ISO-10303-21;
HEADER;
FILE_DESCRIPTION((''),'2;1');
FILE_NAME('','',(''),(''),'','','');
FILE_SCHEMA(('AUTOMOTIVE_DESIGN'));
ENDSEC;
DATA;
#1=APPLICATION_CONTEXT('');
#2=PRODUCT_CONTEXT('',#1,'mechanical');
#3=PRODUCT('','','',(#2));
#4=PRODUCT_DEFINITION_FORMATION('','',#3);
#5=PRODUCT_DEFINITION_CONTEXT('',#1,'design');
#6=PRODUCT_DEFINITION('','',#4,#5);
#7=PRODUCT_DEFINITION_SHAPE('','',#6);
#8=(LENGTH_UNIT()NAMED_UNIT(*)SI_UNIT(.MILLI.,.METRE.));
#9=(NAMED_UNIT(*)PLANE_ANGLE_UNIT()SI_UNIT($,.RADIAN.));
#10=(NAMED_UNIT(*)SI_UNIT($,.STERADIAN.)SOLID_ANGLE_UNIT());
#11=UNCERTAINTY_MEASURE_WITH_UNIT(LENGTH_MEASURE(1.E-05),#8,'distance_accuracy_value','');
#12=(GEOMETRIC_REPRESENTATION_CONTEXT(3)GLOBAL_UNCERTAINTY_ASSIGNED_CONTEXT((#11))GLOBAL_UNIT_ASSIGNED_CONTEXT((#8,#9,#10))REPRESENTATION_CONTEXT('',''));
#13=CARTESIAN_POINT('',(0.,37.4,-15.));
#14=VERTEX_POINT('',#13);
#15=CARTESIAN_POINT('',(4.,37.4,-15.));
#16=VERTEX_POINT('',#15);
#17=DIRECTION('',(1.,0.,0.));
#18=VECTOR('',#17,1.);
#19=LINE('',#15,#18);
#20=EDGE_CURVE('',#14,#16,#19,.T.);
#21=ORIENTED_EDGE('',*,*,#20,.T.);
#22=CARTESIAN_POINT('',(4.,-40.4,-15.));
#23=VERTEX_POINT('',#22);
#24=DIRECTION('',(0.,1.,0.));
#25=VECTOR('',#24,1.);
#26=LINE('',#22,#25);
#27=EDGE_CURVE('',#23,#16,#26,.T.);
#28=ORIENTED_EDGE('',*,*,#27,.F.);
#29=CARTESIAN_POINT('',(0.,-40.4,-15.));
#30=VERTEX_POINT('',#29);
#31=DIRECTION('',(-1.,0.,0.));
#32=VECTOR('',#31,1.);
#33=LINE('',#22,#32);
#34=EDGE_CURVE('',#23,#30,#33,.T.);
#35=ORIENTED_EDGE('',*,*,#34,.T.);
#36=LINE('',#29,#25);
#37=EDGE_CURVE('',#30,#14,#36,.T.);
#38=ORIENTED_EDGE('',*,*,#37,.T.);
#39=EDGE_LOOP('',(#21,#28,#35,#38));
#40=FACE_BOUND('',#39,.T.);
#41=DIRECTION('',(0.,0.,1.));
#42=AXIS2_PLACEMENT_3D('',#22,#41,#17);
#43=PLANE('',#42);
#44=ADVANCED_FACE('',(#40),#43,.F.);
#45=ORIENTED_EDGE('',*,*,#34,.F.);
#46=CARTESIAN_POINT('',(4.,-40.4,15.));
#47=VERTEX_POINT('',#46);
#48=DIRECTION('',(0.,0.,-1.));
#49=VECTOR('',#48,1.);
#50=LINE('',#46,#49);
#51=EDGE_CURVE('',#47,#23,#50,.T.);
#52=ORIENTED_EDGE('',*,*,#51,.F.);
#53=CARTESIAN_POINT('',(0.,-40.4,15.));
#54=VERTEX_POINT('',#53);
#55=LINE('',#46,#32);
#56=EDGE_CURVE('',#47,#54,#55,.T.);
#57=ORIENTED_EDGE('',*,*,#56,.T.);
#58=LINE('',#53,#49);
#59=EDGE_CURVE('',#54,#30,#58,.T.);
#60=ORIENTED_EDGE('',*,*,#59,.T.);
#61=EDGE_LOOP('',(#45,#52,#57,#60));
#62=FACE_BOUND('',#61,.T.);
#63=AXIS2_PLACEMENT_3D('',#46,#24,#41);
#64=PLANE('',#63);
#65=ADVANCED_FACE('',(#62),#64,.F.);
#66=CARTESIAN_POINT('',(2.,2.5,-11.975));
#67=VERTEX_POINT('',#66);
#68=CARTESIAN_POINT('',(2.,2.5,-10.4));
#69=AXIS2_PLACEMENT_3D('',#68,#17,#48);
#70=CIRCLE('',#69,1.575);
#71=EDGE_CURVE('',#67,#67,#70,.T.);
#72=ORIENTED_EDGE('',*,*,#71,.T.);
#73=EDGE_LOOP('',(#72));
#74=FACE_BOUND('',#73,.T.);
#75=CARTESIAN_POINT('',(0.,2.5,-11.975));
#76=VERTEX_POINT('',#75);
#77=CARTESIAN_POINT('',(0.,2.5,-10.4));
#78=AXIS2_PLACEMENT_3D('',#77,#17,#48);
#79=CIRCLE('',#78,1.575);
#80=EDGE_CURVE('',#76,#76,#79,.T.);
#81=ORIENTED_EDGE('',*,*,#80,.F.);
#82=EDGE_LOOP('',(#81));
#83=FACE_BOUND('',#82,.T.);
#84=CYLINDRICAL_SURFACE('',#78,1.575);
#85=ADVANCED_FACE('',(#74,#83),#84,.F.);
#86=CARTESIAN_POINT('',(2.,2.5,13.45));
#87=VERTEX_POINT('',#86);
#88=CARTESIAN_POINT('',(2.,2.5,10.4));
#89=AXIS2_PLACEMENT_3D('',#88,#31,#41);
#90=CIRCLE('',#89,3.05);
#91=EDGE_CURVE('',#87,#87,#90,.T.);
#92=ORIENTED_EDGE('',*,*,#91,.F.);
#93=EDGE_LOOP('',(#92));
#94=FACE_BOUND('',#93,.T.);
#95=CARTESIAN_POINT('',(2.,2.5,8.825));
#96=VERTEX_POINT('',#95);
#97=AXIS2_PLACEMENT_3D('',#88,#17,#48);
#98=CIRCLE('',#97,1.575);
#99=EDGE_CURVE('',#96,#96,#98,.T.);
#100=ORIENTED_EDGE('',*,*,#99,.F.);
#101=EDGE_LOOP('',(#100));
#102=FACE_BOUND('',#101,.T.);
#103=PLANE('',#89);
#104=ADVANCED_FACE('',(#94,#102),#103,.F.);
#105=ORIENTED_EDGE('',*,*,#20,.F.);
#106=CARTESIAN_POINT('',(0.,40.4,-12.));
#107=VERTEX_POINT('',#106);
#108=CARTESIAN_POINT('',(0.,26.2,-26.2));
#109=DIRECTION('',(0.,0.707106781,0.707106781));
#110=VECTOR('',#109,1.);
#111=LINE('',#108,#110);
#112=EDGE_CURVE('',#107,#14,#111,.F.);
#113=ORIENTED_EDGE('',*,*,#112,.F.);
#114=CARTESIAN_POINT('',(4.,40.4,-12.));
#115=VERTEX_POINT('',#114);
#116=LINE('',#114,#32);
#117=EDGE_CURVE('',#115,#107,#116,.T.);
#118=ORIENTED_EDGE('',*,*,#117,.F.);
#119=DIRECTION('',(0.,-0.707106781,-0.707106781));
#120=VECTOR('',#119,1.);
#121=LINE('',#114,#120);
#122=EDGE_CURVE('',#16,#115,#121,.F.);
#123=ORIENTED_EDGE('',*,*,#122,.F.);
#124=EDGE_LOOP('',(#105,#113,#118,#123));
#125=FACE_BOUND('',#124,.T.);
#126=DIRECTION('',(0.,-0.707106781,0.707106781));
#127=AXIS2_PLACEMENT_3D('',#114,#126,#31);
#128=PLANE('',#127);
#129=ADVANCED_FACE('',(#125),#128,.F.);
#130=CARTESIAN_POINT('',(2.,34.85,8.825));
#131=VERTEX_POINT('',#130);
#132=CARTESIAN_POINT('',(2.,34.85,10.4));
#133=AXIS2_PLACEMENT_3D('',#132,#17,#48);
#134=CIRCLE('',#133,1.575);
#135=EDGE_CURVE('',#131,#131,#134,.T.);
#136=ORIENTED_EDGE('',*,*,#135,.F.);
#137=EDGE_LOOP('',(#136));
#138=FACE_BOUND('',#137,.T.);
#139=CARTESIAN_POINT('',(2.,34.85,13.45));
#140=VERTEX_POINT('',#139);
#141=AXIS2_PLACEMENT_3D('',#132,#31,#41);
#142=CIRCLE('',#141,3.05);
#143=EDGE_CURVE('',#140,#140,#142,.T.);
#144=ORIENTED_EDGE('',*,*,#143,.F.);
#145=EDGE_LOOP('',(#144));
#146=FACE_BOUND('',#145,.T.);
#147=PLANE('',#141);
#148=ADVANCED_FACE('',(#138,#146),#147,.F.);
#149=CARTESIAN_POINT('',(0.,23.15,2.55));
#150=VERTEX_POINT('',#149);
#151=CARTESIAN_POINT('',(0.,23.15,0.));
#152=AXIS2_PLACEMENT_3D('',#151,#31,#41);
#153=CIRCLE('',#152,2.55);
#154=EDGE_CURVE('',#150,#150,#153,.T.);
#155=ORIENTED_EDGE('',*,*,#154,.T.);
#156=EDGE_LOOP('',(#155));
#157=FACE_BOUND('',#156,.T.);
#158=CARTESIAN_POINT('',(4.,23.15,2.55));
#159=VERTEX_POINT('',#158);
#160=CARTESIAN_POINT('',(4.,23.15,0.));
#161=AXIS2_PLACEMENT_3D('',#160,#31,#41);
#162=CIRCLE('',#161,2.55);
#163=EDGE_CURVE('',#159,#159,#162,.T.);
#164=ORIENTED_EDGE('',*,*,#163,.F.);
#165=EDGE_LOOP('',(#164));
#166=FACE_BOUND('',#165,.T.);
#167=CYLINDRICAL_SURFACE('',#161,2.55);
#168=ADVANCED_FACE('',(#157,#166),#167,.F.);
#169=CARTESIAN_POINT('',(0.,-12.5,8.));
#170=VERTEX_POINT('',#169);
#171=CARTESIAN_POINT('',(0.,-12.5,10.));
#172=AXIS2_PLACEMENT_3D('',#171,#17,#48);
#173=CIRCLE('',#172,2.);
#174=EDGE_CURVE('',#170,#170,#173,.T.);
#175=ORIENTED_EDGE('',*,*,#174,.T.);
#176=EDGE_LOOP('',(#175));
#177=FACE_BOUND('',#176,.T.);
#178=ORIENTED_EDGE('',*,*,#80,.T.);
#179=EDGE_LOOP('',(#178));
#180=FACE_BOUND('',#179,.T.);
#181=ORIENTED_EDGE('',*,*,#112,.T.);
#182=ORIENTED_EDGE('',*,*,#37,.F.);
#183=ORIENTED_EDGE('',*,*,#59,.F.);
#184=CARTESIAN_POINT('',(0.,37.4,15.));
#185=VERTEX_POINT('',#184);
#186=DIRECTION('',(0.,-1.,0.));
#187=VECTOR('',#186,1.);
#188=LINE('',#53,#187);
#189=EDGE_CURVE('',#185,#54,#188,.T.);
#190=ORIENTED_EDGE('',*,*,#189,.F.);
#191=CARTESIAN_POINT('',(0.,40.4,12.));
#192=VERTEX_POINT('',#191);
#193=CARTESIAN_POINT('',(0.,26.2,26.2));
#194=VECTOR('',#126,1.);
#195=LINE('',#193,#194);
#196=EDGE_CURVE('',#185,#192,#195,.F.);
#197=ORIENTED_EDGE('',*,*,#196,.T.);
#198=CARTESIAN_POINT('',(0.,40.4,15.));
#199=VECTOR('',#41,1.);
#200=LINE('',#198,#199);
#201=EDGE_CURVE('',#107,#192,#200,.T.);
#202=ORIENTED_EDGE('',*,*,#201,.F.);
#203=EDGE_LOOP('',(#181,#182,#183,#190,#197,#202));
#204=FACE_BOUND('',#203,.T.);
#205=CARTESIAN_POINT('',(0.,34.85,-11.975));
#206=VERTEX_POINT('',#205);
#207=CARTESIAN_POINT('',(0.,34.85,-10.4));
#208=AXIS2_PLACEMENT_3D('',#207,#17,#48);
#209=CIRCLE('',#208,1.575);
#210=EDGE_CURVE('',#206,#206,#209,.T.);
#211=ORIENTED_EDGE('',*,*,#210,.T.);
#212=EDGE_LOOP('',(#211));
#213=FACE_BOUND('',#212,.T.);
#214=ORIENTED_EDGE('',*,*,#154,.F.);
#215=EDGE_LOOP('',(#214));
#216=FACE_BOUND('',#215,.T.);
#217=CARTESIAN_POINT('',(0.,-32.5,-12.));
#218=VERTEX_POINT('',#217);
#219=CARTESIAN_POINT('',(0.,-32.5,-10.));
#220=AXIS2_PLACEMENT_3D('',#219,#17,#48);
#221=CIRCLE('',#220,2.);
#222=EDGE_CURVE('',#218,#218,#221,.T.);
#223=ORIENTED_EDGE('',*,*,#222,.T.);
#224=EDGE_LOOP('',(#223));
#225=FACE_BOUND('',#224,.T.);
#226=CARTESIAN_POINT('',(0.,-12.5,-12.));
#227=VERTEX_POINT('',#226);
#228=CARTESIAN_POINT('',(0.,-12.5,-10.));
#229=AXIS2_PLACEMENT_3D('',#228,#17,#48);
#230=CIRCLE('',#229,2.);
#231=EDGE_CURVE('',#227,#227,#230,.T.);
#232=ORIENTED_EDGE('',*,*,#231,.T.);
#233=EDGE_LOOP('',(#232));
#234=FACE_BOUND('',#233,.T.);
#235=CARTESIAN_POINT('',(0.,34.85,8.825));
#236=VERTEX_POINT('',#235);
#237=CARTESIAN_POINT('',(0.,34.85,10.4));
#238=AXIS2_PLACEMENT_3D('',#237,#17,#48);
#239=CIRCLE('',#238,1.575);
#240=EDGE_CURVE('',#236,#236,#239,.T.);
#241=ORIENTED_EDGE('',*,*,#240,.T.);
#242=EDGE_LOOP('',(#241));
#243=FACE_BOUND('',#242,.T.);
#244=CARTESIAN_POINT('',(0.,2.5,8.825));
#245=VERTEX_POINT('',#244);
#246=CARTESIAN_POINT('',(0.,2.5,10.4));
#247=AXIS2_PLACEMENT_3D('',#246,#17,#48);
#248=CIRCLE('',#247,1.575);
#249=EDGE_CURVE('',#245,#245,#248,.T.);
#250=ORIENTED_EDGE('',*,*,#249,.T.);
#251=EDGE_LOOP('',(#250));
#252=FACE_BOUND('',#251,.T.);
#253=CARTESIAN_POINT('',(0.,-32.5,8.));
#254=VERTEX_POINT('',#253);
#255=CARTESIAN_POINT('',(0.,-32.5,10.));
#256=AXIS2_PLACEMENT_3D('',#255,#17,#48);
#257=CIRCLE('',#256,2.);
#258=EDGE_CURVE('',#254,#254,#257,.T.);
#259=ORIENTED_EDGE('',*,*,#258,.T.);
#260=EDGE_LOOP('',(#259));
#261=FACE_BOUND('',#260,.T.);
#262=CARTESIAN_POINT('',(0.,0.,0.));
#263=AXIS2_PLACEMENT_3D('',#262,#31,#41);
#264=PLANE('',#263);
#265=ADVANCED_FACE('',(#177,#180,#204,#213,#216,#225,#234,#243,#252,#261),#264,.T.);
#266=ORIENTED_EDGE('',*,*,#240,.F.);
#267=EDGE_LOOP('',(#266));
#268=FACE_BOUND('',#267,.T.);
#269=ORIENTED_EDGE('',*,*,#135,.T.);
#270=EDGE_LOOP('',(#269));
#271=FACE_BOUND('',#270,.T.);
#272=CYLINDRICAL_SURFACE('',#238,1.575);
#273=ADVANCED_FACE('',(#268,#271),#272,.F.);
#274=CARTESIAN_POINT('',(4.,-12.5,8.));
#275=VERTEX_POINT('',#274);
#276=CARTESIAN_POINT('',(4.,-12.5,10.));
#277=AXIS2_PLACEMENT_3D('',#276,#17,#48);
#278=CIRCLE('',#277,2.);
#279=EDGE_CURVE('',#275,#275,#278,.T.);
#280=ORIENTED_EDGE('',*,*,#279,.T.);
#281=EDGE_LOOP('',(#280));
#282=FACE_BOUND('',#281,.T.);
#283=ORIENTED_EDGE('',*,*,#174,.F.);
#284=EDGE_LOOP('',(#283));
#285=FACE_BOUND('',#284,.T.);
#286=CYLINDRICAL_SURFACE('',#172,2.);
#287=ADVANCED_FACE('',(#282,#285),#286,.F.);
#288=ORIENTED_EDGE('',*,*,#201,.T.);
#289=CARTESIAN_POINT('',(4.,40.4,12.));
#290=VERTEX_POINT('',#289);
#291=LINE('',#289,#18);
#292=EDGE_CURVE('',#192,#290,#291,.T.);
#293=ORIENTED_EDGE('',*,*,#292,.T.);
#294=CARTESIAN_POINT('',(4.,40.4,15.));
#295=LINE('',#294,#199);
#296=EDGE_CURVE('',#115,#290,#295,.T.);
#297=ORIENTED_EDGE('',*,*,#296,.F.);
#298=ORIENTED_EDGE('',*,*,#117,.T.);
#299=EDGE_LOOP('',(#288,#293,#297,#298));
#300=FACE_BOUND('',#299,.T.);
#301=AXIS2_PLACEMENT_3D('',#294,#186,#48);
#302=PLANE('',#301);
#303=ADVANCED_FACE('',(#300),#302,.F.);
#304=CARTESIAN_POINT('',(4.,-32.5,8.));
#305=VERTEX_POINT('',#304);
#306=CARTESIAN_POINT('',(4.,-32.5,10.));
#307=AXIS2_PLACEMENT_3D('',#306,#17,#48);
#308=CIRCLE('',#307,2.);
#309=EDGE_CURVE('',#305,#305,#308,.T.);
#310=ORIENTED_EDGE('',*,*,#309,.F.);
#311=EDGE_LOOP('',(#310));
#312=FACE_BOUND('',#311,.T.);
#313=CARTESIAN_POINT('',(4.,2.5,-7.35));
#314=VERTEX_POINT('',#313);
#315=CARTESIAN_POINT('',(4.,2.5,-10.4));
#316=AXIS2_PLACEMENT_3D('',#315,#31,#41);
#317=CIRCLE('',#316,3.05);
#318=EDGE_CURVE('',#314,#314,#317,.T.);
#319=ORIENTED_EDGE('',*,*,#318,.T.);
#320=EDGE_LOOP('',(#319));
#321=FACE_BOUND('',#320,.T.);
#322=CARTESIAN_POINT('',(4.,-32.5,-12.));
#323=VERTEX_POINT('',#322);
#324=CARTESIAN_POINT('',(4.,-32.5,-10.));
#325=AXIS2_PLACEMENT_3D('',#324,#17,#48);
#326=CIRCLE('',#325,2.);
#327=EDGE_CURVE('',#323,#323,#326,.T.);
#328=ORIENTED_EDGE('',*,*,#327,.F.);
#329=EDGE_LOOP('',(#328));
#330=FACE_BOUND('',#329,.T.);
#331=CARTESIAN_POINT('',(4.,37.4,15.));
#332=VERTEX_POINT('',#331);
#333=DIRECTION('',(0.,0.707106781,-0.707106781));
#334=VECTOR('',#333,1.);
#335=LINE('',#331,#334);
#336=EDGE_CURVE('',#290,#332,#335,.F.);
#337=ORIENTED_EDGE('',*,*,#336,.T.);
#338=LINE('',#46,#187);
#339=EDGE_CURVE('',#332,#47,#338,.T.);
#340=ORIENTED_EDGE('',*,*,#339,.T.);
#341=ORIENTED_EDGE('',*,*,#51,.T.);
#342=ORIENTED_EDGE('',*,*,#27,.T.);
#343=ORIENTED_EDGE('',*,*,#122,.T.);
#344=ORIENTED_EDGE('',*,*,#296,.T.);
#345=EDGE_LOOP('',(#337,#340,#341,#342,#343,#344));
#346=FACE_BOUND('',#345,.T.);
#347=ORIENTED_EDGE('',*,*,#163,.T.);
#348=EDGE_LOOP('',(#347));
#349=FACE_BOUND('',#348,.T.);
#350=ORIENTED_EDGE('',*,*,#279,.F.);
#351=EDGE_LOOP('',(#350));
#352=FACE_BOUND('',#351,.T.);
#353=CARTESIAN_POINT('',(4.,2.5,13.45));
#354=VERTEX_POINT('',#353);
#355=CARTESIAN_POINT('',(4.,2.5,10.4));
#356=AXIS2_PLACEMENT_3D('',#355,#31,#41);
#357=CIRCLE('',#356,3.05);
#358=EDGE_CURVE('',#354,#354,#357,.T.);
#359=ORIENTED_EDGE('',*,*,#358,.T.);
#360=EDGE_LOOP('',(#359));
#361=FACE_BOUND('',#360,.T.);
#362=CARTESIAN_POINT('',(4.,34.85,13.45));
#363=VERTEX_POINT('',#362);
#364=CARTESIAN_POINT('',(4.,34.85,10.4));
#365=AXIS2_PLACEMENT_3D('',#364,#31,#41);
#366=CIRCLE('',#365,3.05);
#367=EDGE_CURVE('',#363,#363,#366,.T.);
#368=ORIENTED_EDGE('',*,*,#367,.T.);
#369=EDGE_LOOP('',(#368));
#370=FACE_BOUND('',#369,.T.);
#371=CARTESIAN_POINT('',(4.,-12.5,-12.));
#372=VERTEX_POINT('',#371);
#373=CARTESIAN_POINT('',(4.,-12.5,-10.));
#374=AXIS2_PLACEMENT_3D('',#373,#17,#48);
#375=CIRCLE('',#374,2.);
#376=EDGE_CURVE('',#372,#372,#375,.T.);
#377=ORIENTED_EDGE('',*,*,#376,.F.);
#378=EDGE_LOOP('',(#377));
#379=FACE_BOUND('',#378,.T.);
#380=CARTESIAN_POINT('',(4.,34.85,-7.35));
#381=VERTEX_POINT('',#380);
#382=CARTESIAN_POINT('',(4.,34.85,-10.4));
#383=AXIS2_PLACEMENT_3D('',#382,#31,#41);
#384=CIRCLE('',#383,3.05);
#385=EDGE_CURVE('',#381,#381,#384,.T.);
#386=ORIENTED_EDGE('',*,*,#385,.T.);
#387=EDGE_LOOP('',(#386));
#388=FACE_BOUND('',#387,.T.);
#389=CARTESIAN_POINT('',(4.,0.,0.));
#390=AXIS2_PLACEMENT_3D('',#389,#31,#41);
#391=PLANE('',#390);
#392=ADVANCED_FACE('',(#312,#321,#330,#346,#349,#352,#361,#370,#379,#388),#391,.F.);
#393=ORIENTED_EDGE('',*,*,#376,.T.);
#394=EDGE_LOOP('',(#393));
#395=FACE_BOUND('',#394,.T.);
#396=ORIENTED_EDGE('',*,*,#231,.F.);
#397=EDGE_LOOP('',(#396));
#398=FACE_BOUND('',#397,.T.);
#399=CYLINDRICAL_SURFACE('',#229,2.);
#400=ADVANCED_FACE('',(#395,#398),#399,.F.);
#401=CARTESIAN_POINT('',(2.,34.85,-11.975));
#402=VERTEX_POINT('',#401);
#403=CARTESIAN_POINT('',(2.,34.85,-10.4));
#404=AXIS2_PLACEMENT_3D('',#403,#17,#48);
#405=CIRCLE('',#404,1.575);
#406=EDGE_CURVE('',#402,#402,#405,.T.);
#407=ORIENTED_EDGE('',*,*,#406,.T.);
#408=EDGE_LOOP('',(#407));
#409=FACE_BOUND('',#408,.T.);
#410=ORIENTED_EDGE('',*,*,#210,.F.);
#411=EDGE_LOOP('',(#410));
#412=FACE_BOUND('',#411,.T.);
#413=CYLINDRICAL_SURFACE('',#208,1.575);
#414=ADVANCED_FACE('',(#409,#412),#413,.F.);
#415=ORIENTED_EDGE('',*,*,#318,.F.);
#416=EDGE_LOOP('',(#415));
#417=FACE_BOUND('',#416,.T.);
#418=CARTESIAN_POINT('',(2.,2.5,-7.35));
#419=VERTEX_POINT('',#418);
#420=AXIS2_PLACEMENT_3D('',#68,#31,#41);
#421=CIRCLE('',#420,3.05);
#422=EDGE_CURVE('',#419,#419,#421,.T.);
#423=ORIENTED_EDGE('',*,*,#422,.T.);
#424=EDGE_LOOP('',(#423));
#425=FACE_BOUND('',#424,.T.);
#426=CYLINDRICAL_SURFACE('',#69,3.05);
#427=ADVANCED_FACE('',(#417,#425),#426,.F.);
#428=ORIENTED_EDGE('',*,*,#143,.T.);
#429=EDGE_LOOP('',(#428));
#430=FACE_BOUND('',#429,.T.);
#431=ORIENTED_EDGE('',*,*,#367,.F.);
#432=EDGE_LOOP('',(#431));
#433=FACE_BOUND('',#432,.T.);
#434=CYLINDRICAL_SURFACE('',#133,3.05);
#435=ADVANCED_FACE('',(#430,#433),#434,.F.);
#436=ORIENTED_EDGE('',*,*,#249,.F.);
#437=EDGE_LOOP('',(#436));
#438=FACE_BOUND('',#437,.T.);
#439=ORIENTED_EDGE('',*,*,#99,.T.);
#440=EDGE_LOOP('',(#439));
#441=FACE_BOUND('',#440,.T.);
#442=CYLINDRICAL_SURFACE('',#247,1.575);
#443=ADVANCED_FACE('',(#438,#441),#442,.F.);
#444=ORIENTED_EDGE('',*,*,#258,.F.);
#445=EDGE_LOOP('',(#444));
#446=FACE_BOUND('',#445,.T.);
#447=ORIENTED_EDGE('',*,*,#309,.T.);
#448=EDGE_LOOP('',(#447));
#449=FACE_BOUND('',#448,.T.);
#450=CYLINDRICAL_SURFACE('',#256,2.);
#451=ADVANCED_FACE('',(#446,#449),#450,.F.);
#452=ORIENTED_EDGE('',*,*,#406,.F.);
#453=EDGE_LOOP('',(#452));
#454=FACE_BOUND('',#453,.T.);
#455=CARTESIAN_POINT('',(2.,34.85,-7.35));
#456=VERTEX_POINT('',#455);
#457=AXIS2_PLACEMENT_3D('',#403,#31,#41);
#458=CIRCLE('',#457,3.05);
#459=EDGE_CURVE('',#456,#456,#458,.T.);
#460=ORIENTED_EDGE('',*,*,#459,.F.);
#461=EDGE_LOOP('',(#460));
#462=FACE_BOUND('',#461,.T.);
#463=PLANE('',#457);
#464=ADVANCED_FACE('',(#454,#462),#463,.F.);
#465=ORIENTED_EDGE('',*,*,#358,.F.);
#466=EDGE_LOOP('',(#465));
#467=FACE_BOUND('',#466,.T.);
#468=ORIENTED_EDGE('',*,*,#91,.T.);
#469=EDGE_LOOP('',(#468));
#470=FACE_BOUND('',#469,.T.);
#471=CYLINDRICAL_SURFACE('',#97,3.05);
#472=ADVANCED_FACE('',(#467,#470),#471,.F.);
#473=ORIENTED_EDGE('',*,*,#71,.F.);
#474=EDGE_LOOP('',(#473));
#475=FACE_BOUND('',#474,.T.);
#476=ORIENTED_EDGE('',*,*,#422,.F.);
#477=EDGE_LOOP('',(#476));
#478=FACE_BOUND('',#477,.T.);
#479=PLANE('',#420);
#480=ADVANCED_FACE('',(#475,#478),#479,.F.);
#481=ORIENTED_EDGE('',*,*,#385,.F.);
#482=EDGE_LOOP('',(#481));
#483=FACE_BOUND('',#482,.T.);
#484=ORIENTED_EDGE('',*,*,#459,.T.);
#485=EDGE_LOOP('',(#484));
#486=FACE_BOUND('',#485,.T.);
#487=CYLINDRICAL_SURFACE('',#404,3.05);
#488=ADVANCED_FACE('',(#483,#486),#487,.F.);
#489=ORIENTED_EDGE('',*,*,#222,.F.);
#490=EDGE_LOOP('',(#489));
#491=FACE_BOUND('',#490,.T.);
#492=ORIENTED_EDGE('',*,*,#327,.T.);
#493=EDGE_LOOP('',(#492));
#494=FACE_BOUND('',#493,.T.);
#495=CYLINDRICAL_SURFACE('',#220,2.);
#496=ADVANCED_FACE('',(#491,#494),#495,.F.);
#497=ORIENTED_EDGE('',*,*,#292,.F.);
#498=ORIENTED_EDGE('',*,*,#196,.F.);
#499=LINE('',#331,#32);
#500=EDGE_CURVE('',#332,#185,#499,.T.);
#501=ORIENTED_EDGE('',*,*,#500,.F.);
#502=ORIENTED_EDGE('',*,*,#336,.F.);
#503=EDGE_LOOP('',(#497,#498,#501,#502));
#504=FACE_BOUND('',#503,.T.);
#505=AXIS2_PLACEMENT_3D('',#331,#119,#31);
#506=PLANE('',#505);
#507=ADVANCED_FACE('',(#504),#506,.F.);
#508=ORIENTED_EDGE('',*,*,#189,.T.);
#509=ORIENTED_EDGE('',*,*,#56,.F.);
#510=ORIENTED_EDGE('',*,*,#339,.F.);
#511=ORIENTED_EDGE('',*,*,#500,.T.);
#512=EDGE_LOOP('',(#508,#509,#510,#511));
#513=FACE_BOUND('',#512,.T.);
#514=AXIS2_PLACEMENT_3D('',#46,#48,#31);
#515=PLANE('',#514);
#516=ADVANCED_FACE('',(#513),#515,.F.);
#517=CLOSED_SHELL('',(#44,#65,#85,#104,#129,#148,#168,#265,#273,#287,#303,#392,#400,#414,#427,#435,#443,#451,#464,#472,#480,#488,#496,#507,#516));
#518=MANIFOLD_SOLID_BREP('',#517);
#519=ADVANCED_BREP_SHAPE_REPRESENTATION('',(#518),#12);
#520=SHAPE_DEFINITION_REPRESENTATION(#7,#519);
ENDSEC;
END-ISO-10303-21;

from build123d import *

# Parameters (mm, degrees)
CROQUIS1_W              = 30
CROQUIS1_H              = 80.8
SALIENTE_EXTRUIR1_DEPTH = 4
CROQUIS3_R              = 2
CORTAR_EXTRUIR2_DEPTH   = 5
CROQUIS8_R              = 2.55
CORTAR_EXTRUIR3_DEPTH   = 5
CROQUIS10_R             = 3.05
CORTAR_EXTRUIR4_DEPTH   = 2
CROQUIS11_R             = 1.575
CORTAR_EXTRUIR5_DEPTH   = 3
CHAFL_N1_SIZE           = 3


with BuildPart() as part:
    # Croquis1 → Saliente-Extruir1 (new body)
    with BuildSketch(Plane(origin=(0, 0, 0), x_dir=(0, 0, -1), z_dir=(1, 0, 0))):
        Rectangle(CROQUIS1_W, CROQUIS1_H)
    extrude(amount=SALIENTE_EXTRUIR1_DEPTH)

    # Croquis3 → Cortar-Extruir2 (cut, through all)
    with BuildSketch(Plane(origin=(4, 0, 0), x_dir=(0, 0, -1), z_dir=(1, 0, 0))):
        with Locations((-10, -12.5)):
            Circle(CROQUIS3_R)
        with Locations((10, -12.5)):
            Circle(CROQUIS3_R)
        with Locations((-10, -32.5)):
            Circle(CROQUIS3_R)
        with Locations((10, -32.5)):
            Circle(CROQUIS3_R)
    extrude(amount=-CORTAR_EXTRUIR2_DEPTH, mode=Mode.SUBTRACT)

    # Croquis8 → Cortar-Extruir3 (cut, through all)
    with BuildSketch(Plane.ZY):
        with Locations((0, 23.15)):
            Circle(CROQUIS8_R)
    extrude(amount=-CORTAR_EXTRUIR3_DEPTH, mode=Mode.SUBTRACT)

    # Croquis10 → Cortar-Extruir4 (cut)
    with BuildSketch(Plane.ZY.offset(-4)):
        with Locations((-10.4, 34.85)):
            Circle(CROQUIS10_R)
        with Locations((10.4, 34.85)):
            Circle(CROQUIS10_R)
        with Locations((10.4, 2.5)):
            Circle(CROQUIS10_R)
        with Locations((-10.4, 2.5)):
            Circle(CROQUIS10_R)
    extrude(amount=CORTAR_EXTRUIR4_DEPTH, mode=Mode.SUBTRACT)

    # Croquis11 → Cortar-Extruir5 (cut, through all)
    with BuildSketch(Plane(origin=(2, 0, 0), x_dir=(0, 0, -1), z_dir=(1, 0, 0))):
        with Locations((-10.4, 34.85)):
            Circle(CROQUIS11_R)
        with Locations((10.4, 34.85)):
            Circle(CROQUIS11_R)
        with Locations((10.4, 2.5)):
            Circle(CROQUIS11_R)
        with Locations((-10.4, 2.5)):
            Circle(CROQUIS11_R)
    extrude(amount=-CORTAR_EXTRUIR5_DEPTH, mode=Mode.SUBTRACT)

    # Chaflán1
    chafl_n1_edges = [part.edges().sort_by_distance(p)[0] for p in [
        (2, 40.4, 15),
        (2, 40.4, -15),
    ]]
    chamfer(chafl_n1_edges, length=CHAFL_N1_SIZE)


solid = part.part
